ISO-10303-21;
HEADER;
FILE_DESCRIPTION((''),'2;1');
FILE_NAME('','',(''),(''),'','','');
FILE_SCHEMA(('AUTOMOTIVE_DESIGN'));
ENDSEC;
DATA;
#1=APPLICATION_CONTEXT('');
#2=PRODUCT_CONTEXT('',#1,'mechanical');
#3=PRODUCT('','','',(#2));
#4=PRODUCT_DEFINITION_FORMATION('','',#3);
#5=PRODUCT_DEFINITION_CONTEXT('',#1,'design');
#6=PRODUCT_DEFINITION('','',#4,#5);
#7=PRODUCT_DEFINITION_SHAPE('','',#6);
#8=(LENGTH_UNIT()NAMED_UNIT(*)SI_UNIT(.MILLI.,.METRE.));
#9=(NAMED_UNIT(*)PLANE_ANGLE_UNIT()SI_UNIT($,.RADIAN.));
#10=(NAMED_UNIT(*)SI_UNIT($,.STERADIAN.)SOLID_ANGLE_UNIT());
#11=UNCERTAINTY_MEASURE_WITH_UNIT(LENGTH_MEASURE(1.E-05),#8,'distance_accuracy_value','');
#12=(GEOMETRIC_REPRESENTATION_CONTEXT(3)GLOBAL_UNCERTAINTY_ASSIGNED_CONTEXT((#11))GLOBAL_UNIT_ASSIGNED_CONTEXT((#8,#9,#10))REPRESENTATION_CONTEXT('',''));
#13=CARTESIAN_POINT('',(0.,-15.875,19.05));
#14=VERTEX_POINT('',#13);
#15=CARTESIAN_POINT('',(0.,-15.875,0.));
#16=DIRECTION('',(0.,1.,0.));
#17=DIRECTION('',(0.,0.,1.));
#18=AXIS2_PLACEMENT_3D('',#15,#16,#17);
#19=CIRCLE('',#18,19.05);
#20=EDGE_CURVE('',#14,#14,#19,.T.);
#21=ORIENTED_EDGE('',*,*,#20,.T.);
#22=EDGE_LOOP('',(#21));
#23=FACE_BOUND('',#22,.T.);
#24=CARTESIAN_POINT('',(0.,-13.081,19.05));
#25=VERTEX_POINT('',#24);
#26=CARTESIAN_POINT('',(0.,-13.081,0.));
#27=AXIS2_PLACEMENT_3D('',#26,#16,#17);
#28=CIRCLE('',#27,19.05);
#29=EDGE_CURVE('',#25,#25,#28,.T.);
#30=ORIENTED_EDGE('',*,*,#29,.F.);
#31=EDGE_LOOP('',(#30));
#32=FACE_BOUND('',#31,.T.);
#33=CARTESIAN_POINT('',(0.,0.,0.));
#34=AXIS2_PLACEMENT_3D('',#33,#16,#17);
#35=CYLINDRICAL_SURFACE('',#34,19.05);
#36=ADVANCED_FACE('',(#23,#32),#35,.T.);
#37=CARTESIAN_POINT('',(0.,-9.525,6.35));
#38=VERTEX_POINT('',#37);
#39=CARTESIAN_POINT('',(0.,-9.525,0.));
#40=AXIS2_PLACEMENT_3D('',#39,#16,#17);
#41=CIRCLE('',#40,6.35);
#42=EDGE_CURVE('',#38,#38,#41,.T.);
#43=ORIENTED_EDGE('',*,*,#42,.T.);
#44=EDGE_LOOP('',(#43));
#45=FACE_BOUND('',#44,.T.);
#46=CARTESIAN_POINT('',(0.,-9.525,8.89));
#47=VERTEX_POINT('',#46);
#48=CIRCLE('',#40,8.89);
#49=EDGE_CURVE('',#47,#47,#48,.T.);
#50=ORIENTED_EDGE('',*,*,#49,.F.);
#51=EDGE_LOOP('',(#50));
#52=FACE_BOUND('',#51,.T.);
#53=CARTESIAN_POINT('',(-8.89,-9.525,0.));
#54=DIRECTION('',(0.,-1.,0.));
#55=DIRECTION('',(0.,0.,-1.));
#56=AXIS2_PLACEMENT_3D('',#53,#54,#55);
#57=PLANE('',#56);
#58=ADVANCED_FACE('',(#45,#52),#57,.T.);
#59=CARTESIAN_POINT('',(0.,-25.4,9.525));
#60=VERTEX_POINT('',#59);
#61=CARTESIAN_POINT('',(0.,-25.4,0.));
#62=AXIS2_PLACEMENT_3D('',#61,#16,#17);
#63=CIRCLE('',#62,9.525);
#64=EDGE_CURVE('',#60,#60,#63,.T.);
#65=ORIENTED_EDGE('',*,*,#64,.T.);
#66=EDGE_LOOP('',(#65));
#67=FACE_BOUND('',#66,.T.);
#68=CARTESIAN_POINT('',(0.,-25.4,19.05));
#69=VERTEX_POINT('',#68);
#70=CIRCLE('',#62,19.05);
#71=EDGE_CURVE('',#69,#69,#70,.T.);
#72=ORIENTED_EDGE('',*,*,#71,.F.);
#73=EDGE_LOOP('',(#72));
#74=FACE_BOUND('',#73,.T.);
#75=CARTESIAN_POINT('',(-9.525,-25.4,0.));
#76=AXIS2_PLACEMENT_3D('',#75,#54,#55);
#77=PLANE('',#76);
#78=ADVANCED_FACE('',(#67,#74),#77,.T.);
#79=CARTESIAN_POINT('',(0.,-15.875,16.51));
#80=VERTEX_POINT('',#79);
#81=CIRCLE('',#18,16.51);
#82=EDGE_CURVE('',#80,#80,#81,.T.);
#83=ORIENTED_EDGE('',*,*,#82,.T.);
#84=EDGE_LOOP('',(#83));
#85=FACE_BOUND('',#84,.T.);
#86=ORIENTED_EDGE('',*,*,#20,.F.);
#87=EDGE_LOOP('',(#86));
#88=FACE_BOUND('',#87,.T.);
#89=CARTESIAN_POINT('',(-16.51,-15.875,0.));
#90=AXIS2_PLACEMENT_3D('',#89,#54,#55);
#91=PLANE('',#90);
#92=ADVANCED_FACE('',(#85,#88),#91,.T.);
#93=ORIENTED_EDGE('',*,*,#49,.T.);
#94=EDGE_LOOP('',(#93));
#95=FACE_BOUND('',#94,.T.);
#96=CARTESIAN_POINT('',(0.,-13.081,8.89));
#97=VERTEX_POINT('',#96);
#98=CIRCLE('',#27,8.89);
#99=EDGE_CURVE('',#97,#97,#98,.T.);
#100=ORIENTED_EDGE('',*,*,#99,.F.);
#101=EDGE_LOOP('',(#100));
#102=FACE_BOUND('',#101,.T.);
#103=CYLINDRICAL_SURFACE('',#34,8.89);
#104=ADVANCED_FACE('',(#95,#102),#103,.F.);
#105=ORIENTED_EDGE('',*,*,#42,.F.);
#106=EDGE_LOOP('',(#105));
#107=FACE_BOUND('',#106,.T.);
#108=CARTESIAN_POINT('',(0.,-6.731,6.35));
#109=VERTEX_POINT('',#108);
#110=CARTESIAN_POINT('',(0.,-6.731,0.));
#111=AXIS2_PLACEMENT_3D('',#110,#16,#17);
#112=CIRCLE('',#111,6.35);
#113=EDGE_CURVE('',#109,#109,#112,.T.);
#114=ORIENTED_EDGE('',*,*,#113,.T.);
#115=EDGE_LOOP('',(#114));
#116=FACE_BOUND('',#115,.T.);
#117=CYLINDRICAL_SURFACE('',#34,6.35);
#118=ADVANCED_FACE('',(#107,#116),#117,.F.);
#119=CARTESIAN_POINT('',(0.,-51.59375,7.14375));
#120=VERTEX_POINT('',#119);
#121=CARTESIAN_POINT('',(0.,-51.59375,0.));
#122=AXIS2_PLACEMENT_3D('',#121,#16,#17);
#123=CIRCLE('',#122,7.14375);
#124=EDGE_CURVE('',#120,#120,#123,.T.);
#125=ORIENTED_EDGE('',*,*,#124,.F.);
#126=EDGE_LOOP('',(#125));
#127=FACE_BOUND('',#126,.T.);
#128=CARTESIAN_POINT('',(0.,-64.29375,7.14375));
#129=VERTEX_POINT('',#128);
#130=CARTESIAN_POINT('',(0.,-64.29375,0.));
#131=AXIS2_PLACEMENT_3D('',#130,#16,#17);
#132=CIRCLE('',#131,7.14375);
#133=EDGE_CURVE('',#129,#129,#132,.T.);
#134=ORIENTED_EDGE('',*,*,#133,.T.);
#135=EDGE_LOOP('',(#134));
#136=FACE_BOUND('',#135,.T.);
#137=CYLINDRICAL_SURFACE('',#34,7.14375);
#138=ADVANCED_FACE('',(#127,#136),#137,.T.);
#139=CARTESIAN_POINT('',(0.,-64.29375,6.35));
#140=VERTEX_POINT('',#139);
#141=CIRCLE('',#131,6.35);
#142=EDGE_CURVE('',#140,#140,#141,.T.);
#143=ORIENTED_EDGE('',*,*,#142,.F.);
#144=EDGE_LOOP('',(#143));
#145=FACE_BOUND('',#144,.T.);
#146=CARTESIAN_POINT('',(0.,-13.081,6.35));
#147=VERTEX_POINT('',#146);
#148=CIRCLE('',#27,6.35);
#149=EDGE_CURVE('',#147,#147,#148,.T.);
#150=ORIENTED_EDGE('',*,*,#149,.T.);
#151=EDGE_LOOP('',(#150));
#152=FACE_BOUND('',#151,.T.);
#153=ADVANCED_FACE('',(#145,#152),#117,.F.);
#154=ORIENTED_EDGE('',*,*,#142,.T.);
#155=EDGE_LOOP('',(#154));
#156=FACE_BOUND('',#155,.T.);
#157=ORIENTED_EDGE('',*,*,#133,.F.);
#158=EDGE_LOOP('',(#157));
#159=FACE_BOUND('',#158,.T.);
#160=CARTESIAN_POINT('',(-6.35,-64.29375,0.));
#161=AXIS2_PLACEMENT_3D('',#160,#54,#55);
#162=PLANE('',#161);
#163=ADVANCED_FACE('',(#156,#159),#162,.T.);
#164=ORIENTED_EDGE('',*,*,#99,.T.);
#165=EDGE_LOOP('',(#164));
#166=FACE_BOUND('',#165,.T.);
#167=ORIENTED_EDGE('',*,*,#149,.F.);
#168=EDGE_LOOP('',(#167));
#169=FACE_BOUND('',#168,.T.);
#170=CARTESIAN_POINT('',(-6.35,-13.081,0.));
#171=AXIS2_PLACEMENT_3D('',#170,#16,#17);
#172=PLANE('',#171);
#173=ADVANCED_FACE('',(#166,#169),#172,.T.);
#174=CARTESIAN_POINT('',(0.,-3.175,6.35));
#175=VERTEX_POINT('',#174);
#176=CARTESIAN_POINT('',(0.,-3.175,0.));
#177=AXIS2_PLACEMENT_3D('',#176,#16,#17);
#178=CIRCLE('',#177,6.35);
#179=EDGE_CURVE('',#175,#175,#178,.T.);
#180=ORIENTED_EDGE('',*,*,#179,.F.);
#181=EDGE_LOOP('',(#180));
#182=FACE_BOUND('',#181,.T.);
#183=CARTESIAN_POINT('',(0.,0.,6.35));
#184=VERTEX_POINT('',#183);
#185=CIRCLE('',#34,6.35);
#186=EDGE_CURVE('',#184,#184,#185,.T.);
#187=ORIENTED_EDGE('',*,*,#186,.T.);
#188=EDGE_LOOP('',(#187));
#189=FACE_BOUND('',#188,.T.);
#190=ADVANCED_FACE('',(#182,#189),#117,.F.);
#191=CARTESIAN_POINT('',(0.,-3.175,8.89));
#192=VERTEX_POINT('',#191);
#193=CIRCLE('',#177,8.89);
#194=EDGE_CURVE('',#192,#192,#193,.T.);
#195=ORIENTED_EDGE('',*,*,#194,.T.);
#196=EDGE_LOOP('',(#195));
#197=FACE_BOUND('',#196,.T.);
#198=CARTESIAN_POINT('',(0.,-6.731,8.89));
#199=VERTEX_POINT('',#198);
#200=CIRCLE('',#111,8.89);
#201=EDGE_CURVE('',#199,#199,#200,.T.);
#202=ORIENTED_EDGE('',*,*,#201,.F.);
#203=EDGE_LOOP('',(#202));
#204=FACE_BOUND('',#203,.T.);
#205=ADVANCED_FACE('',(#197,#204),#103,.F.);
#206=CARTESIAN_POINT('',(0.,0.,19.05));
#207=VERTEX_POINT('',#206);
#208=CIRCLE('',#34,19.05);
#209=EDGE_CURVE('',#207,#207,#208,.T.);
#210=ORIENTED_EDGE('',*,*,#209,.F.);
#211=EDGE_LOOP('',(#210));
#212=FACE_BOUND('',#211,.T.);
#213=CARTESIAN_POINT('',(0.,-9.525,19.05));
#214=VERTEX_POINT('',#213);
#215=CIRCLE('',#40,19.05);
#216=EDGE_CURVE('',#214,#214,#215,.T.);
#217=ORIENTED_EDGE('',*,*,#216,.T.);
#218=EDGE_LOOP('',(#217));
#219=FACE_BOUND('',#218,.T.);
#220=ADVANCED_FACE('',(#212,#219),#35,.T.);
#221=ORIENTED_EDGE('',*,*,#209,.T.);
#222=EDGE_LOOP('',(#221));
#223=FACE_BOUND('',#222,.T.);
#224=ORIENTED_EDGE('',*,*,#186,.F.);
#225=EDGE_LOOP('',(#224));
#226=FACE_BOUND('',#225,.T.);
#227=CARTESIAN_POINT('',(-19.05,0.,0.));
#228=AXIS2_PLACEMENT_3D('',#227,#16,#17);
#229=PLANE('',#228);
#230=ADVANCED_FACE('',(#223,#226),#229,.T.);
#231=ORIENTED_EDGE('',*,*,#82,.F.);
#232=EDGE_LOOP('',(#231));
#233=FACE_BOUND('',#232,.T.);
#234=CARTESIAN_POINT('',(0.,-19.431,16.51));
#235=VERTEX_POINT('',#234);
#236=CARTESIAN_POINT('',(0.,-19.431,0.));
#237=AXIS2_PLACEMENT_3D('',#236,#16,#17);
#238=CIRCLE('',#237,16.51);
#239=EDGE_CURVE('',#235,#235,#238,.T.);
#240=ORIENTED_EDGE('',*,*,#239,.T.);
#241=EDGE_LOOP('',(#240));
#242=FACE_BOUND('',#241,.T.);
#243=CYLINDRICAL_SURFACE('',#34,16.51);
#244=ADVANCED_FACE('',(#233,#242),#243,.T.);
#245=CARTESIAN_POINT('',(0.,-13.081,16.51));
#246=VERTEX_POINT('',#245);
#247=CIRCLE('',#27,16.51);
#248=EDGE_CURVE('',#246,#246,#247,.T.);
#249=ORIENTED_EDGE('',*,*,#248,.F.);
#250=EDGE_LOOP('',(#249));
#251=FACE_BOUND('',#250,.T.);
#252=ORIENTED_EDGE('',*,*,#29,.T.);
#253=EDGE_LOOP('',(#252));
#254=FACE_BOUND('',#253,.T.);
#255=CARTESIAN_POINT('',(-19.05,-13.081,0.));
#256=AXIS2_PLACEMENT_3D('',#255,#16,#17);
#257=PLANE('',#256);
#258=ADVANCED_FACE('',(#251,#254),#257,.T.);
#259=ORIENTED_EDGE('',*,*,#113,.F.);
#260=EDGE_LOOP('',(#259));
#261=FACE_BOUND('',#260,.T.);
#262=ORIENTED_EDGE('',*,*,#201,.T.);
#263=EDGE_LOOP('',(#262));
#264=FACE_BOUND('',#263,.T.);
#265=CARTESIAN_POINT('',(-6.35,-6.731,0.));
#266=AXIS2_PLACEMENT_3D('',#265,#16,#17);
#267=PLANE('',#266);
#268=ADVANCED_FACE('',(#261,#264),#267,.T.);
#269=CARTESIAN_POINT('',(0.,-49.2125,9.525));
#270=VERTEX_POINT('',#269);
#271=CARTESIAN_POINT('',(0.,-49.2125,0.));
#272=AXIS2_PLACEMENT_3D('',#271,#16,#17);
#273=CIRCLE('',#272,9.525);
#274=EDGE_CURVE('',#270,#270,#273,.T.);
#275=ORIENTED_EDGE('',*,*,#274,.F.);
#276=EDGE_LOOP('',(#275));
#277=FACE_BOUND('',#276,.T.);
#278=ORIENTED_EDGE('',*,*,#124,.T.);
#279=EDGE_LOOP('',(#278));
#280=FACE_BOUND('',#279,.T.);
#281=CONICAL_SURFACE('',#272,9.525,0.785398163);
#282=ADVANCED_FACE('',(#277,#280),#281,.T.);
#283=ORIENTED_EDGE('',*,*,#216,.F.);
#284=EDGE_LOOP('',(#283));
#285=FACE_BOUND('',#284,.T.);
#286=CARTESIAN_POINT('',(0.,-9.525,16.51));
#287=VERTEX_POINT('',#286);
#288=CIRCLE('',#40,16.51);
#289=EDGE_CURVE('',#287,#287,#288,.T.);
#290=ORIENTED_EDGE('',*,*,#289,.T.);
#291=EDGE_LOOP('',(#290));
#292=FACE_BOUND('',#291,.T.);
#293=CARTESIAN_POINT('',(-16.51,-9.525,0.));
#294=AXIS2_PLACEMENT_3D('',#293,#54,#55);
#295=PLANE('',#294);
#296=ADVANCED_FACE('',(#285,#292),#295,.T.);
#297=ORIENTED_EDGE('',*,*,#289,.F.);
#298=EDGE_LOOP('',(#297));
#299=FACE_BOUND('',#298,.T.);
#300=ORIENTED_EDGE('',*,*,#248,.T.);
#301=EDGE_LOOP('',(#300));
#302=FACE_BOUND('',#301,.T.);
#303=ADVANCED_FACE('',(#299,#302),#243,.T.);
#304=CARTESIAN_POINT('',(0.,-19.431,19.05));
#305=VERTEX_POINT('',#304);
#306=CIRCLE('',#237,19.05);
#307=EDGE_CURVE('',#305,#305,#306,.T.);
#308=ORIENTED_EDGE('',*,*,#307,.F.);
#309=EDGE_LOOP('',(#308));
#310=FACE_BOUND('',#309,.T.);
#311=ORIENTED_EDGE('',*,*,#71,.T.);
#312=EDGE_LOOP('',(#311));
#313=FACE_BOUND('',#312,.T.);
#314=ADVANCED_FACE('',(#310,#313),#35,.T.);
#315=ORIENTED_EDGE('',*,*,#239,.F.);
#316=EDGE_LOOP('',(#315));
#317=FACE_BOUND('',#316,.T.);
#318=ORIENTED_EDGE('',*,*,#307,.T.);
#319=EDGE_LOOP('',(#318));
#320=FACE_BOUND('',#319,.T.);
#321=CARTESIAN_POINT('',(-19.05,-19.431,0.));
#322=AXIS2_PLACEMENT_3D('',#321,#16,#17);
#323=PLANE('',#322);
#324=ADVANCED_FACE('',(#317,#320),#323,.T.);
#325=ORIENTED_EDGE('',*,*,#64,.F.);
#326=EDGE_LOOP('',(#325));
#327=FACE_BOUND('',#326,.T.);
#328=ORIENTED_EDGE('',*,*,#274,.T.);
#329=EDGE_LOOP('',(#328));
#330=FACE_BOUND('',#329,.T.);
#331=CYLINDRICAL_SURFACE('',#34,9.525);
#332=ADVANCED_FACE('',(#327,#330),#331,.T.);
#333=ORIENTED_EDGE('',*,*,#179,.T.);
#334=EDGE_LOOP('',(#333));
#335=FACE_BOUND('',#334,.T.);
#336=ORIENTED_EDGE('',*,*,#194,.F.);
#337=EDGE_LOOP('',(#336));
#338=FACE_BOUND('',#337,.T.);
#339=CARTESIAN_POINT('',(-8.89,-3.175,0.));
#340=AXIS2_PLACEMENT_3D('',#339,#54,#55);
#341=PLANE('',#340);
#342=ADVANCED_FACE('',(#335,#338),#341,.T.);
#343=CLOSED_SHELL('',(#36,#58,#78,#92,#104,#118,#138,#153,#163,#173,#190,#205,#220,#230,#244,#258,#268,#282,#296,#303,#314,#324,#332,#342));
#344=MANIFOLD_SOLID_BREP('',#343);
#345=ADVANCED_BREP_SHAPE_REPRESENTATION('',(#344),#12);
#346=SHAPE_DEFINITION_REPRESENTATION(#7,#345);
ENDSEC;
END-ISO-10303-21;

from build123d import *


with BuildPart() as part:
    # Sketch1 → Revolve1 (revolve)
    with BuildSketch(Plane.XY):
        Polygon((-6.35, -13.081), (-6.35, -64.29375), (-7.14375, -64.29375), (-7.14375, -51.59375), (-9.525, -49.2125), (-9.525, -25.4), (-19.05, -25.4), (-19.05, -19.431), (-16.51, -19.431), (-16.51, -15.875), (-19.05, -15.875), (-19.05, -13.081), (-16.51, -13.081), (-16.51, -9.525), (-19.05, -9.525), (-19.05, 0), (-6.35, 0), (-6.35, -3.175), (-8.89, -3.175), (-8.89, -6.731), (-6.35, -6.731), (-6.35, -9.525), (-8.89, -9.525), (-8.89, -13.081), align=None)
    revolve(axis=Axis((0, 0, 0), (0, -1, 0)))


solid = part.part
